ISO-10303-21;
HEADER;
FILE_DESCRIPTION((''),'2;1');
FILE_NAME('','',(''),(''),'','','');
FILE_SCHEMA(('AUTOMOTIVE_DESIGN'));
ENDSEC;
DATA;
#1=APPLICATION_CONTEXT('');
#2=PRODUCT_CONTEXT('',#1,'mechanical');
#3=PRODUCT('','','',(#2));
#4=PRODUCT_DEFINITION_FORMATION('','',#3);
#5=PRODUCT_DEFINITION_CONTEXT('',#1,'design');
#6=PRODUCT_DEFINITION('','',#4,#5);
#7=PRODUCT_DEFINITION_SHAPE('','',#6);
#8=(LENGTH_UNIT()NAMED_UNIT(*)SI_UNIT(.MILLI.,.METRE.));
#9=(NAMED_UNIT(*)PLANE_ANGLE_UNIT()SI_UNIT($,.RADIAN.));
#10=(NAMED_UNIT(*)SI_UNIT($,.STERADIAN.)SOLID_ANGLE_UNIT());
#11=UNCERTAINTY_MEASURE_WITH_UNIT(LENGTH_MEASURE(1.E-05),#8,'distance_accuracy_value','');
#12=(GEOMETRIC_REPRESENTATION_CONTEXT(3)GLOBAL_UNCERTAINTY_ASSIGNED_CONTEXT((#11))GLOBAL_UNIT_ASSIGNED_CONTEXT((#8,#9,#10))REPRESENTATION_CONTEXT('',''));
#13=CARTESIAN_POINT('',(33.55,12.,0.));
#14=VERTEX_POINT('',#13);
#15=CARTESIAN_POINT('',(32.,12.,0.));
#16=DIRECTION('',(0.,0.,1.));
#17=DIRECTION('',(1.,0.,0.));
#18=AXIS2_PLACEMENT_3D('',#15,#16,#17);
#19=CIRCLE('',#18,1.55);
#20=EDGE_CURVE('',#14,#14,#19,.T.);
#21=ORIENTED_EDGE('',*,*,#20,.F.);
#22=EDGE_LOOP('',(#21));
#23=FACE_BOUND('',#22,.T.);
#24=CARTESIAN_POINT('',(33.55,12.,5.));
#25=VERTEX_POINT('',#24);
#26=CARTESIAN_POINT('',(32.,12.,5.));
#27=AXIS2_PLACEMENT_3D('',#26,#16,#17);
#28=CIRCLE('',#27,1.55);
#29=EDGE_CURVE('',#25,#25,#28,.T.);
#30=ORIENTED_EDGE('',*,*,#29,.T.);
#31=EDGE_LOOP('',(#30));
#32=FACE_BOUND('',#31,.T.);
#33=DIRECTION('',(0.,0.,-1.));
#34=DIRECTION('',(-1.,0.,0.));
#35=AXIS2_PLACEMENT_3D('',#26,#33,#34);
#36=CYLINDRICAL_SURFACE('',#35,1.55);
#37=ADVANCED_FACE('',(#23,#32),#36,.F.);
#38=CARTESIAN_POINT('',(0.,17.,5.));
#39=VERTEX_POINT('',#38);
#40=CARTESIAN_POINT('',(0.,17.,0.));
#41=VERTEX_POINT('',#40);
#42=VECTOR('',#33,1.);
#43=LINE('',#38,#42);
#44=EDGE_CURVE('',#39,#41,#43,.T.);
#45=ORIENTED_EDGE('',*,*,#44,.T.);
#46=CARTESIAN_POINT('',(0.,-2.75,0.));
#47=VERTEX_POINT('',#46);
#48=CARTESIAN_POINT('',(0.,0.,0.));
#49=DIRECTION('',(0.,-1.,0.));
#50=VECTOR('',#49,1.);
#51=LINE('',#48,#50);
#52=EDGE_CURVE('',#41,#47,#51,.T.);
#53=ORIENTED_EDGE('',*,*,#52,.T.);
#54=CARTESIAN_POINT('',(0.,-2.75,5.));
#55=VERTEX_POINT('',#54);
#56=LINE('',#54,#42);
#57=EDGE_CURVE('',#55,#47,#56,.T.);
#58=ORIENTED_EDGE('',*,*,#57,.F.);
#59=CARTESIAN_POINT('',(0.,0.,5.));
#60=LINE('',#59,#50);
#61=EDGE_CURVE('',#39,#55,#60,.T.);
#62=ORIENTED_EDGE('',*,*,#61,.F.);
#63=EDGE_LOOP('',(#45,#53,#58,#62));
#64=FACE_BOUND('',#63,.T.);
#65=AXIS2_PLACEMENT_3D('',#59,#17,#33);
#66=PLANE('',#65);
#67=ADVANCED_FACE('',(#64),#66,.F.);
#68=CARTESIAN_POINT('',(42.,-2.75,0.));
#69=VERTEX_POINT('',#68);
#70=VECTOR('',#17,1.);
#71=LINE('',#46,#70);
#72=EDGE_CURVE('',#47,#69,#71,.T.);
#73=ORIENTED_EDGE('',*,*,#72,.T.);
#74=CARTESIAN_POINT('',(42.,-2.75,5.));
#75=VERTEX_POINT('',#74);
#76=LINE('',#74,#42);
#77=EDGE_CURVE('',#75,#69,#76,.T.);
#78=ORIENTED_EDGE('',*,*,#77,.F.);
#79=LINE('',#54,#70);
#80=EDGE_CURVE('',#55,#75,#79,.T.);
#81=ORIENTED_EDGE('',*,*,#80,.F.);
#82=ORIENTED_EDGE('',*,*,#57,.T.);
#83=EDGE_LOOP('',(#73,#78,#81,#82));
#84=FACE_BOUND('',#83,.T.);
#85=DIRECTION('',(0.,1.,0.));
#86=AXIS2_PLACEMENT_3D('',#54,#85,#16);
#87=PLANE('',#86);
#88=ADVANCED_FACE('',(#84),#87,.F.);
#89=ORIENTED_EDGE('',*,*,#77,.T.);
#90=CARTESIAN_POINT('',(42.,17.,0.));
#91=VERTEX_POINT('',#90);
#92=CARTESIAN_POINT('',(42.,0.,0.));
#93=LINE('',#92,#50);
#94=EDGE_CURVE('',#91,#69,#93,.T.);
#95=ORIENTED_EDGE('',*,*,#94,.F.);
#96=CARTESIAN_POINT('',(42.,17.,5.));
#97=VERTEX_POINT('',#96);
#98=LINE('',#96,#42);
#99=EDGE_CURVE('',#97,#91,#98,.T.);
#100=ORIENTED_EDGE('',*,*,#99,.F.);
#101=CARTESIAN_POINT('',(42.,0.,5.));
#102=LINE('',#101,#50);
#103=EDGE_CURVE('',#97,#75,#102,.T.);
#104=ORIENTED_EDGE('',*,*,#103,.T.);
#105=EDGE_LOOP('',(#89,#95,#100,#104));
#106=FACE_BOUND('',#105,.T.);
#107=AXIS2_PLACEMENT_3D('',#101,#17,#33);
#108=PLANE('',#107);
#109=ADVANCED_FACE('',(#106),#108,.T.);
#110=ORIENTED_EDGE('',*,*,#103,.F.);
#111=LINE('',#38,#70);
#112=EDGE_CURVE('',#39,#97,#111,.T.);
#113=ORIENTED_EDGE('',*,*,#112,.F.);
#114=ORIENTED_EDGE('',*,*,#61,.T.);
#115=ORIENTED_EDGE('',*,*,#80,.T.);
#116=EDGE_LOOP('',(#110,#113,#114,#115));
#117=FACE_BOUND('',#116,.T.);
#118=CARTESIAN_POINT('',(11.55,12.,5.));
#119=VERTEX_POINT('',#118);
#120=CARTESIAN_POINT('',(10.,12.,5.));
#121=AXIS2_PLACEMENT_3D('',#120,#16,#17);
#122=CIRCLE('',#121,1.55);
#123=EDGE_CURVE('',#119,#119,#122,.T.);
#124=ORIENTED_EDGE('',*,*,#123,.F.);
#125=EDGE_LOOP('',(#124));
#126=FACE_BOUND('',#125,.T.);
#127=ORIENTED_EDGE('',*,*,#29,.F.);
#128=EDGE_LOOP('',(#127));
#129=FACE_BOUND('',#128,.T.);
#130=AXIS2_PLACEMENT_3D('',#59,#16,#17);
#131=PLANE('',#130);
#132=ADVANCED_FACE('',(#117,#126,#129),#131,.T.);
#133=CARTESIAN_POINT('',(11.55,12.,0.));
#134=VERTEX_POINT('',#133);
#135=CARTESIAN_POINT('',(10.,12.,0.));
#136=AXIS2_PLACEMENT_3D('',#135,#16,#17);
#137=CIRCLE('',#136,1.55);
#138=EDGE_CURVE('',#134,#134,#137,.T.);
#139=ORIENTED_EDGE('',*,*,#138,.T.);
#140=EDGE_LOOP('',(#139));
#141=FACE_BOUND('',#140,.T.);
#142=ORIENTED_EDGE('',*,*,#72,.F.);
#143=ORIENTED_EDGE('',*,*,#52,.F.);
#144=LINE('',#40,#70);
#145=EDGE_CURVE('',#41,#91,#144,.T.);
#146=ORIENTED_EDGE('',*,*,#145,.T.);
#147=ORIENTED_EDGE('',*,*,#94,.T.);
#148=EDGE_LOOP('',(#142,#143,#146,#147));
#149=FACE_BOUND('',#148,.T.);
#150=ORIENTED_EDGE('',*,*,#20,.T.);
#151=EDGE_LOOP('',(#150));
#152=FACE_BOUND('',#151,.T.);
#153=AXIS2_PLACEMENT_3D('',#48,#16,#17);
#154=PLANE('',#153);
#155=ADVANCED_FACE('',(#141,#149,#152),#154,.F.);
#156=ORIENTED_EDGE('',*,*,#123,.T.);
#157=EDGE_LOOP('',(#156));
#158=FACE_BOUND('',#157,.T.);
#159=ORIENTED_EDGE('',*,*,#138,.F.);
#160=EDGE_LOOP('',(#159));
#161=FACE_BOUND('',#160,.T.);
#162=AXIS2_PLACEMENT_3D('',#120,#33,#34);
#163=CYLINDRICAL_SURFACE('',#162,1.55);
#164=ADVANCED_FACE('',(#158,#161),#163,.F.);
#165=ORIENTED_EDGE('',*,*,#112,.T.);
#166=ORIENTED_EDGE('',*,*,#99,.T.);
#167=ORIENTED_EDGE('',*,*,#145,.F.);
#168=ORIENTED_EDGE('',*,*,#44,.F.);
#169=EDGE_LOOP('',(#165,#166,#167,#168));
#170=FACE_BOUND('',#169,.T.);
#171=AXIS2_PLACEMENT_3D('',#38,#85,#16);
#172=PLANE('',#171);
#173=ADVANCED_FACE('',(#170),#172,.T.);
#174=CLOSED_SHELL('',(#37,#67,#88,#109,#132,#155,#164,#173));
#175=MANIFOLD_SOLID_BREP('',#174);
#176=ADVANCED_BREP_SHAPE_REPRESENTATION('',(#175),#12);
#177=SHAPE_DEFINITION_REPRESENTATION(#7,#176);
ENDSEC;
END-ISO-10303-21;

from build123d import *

# Parameters (mm, degrees)
SKETCH_1_R      = 1.55
EXTRUDE_1_DEPTH = 5


with BuildPart() as part:
    # 草图1 → 凸台-拉伸1 (new body)
    with BuildSketch(Plane.XY):
        Polygon((42, 17), (0, 17), (0, 7), (0, 0), (0, -2.75), (42, -2.75), (42, 0), (42, 7), align=None)
        with Locations((10, 12)):
            Circle(SKETCH_1_R, mode=Mode.SUBTRACT)
        with Locations((32, 12)):
            Circle(SKETCH_1_R, mode=Mode.SUBTRACT)
    extrude(amount=EXTRUDE_1_DEPTH)


solid = part.part
